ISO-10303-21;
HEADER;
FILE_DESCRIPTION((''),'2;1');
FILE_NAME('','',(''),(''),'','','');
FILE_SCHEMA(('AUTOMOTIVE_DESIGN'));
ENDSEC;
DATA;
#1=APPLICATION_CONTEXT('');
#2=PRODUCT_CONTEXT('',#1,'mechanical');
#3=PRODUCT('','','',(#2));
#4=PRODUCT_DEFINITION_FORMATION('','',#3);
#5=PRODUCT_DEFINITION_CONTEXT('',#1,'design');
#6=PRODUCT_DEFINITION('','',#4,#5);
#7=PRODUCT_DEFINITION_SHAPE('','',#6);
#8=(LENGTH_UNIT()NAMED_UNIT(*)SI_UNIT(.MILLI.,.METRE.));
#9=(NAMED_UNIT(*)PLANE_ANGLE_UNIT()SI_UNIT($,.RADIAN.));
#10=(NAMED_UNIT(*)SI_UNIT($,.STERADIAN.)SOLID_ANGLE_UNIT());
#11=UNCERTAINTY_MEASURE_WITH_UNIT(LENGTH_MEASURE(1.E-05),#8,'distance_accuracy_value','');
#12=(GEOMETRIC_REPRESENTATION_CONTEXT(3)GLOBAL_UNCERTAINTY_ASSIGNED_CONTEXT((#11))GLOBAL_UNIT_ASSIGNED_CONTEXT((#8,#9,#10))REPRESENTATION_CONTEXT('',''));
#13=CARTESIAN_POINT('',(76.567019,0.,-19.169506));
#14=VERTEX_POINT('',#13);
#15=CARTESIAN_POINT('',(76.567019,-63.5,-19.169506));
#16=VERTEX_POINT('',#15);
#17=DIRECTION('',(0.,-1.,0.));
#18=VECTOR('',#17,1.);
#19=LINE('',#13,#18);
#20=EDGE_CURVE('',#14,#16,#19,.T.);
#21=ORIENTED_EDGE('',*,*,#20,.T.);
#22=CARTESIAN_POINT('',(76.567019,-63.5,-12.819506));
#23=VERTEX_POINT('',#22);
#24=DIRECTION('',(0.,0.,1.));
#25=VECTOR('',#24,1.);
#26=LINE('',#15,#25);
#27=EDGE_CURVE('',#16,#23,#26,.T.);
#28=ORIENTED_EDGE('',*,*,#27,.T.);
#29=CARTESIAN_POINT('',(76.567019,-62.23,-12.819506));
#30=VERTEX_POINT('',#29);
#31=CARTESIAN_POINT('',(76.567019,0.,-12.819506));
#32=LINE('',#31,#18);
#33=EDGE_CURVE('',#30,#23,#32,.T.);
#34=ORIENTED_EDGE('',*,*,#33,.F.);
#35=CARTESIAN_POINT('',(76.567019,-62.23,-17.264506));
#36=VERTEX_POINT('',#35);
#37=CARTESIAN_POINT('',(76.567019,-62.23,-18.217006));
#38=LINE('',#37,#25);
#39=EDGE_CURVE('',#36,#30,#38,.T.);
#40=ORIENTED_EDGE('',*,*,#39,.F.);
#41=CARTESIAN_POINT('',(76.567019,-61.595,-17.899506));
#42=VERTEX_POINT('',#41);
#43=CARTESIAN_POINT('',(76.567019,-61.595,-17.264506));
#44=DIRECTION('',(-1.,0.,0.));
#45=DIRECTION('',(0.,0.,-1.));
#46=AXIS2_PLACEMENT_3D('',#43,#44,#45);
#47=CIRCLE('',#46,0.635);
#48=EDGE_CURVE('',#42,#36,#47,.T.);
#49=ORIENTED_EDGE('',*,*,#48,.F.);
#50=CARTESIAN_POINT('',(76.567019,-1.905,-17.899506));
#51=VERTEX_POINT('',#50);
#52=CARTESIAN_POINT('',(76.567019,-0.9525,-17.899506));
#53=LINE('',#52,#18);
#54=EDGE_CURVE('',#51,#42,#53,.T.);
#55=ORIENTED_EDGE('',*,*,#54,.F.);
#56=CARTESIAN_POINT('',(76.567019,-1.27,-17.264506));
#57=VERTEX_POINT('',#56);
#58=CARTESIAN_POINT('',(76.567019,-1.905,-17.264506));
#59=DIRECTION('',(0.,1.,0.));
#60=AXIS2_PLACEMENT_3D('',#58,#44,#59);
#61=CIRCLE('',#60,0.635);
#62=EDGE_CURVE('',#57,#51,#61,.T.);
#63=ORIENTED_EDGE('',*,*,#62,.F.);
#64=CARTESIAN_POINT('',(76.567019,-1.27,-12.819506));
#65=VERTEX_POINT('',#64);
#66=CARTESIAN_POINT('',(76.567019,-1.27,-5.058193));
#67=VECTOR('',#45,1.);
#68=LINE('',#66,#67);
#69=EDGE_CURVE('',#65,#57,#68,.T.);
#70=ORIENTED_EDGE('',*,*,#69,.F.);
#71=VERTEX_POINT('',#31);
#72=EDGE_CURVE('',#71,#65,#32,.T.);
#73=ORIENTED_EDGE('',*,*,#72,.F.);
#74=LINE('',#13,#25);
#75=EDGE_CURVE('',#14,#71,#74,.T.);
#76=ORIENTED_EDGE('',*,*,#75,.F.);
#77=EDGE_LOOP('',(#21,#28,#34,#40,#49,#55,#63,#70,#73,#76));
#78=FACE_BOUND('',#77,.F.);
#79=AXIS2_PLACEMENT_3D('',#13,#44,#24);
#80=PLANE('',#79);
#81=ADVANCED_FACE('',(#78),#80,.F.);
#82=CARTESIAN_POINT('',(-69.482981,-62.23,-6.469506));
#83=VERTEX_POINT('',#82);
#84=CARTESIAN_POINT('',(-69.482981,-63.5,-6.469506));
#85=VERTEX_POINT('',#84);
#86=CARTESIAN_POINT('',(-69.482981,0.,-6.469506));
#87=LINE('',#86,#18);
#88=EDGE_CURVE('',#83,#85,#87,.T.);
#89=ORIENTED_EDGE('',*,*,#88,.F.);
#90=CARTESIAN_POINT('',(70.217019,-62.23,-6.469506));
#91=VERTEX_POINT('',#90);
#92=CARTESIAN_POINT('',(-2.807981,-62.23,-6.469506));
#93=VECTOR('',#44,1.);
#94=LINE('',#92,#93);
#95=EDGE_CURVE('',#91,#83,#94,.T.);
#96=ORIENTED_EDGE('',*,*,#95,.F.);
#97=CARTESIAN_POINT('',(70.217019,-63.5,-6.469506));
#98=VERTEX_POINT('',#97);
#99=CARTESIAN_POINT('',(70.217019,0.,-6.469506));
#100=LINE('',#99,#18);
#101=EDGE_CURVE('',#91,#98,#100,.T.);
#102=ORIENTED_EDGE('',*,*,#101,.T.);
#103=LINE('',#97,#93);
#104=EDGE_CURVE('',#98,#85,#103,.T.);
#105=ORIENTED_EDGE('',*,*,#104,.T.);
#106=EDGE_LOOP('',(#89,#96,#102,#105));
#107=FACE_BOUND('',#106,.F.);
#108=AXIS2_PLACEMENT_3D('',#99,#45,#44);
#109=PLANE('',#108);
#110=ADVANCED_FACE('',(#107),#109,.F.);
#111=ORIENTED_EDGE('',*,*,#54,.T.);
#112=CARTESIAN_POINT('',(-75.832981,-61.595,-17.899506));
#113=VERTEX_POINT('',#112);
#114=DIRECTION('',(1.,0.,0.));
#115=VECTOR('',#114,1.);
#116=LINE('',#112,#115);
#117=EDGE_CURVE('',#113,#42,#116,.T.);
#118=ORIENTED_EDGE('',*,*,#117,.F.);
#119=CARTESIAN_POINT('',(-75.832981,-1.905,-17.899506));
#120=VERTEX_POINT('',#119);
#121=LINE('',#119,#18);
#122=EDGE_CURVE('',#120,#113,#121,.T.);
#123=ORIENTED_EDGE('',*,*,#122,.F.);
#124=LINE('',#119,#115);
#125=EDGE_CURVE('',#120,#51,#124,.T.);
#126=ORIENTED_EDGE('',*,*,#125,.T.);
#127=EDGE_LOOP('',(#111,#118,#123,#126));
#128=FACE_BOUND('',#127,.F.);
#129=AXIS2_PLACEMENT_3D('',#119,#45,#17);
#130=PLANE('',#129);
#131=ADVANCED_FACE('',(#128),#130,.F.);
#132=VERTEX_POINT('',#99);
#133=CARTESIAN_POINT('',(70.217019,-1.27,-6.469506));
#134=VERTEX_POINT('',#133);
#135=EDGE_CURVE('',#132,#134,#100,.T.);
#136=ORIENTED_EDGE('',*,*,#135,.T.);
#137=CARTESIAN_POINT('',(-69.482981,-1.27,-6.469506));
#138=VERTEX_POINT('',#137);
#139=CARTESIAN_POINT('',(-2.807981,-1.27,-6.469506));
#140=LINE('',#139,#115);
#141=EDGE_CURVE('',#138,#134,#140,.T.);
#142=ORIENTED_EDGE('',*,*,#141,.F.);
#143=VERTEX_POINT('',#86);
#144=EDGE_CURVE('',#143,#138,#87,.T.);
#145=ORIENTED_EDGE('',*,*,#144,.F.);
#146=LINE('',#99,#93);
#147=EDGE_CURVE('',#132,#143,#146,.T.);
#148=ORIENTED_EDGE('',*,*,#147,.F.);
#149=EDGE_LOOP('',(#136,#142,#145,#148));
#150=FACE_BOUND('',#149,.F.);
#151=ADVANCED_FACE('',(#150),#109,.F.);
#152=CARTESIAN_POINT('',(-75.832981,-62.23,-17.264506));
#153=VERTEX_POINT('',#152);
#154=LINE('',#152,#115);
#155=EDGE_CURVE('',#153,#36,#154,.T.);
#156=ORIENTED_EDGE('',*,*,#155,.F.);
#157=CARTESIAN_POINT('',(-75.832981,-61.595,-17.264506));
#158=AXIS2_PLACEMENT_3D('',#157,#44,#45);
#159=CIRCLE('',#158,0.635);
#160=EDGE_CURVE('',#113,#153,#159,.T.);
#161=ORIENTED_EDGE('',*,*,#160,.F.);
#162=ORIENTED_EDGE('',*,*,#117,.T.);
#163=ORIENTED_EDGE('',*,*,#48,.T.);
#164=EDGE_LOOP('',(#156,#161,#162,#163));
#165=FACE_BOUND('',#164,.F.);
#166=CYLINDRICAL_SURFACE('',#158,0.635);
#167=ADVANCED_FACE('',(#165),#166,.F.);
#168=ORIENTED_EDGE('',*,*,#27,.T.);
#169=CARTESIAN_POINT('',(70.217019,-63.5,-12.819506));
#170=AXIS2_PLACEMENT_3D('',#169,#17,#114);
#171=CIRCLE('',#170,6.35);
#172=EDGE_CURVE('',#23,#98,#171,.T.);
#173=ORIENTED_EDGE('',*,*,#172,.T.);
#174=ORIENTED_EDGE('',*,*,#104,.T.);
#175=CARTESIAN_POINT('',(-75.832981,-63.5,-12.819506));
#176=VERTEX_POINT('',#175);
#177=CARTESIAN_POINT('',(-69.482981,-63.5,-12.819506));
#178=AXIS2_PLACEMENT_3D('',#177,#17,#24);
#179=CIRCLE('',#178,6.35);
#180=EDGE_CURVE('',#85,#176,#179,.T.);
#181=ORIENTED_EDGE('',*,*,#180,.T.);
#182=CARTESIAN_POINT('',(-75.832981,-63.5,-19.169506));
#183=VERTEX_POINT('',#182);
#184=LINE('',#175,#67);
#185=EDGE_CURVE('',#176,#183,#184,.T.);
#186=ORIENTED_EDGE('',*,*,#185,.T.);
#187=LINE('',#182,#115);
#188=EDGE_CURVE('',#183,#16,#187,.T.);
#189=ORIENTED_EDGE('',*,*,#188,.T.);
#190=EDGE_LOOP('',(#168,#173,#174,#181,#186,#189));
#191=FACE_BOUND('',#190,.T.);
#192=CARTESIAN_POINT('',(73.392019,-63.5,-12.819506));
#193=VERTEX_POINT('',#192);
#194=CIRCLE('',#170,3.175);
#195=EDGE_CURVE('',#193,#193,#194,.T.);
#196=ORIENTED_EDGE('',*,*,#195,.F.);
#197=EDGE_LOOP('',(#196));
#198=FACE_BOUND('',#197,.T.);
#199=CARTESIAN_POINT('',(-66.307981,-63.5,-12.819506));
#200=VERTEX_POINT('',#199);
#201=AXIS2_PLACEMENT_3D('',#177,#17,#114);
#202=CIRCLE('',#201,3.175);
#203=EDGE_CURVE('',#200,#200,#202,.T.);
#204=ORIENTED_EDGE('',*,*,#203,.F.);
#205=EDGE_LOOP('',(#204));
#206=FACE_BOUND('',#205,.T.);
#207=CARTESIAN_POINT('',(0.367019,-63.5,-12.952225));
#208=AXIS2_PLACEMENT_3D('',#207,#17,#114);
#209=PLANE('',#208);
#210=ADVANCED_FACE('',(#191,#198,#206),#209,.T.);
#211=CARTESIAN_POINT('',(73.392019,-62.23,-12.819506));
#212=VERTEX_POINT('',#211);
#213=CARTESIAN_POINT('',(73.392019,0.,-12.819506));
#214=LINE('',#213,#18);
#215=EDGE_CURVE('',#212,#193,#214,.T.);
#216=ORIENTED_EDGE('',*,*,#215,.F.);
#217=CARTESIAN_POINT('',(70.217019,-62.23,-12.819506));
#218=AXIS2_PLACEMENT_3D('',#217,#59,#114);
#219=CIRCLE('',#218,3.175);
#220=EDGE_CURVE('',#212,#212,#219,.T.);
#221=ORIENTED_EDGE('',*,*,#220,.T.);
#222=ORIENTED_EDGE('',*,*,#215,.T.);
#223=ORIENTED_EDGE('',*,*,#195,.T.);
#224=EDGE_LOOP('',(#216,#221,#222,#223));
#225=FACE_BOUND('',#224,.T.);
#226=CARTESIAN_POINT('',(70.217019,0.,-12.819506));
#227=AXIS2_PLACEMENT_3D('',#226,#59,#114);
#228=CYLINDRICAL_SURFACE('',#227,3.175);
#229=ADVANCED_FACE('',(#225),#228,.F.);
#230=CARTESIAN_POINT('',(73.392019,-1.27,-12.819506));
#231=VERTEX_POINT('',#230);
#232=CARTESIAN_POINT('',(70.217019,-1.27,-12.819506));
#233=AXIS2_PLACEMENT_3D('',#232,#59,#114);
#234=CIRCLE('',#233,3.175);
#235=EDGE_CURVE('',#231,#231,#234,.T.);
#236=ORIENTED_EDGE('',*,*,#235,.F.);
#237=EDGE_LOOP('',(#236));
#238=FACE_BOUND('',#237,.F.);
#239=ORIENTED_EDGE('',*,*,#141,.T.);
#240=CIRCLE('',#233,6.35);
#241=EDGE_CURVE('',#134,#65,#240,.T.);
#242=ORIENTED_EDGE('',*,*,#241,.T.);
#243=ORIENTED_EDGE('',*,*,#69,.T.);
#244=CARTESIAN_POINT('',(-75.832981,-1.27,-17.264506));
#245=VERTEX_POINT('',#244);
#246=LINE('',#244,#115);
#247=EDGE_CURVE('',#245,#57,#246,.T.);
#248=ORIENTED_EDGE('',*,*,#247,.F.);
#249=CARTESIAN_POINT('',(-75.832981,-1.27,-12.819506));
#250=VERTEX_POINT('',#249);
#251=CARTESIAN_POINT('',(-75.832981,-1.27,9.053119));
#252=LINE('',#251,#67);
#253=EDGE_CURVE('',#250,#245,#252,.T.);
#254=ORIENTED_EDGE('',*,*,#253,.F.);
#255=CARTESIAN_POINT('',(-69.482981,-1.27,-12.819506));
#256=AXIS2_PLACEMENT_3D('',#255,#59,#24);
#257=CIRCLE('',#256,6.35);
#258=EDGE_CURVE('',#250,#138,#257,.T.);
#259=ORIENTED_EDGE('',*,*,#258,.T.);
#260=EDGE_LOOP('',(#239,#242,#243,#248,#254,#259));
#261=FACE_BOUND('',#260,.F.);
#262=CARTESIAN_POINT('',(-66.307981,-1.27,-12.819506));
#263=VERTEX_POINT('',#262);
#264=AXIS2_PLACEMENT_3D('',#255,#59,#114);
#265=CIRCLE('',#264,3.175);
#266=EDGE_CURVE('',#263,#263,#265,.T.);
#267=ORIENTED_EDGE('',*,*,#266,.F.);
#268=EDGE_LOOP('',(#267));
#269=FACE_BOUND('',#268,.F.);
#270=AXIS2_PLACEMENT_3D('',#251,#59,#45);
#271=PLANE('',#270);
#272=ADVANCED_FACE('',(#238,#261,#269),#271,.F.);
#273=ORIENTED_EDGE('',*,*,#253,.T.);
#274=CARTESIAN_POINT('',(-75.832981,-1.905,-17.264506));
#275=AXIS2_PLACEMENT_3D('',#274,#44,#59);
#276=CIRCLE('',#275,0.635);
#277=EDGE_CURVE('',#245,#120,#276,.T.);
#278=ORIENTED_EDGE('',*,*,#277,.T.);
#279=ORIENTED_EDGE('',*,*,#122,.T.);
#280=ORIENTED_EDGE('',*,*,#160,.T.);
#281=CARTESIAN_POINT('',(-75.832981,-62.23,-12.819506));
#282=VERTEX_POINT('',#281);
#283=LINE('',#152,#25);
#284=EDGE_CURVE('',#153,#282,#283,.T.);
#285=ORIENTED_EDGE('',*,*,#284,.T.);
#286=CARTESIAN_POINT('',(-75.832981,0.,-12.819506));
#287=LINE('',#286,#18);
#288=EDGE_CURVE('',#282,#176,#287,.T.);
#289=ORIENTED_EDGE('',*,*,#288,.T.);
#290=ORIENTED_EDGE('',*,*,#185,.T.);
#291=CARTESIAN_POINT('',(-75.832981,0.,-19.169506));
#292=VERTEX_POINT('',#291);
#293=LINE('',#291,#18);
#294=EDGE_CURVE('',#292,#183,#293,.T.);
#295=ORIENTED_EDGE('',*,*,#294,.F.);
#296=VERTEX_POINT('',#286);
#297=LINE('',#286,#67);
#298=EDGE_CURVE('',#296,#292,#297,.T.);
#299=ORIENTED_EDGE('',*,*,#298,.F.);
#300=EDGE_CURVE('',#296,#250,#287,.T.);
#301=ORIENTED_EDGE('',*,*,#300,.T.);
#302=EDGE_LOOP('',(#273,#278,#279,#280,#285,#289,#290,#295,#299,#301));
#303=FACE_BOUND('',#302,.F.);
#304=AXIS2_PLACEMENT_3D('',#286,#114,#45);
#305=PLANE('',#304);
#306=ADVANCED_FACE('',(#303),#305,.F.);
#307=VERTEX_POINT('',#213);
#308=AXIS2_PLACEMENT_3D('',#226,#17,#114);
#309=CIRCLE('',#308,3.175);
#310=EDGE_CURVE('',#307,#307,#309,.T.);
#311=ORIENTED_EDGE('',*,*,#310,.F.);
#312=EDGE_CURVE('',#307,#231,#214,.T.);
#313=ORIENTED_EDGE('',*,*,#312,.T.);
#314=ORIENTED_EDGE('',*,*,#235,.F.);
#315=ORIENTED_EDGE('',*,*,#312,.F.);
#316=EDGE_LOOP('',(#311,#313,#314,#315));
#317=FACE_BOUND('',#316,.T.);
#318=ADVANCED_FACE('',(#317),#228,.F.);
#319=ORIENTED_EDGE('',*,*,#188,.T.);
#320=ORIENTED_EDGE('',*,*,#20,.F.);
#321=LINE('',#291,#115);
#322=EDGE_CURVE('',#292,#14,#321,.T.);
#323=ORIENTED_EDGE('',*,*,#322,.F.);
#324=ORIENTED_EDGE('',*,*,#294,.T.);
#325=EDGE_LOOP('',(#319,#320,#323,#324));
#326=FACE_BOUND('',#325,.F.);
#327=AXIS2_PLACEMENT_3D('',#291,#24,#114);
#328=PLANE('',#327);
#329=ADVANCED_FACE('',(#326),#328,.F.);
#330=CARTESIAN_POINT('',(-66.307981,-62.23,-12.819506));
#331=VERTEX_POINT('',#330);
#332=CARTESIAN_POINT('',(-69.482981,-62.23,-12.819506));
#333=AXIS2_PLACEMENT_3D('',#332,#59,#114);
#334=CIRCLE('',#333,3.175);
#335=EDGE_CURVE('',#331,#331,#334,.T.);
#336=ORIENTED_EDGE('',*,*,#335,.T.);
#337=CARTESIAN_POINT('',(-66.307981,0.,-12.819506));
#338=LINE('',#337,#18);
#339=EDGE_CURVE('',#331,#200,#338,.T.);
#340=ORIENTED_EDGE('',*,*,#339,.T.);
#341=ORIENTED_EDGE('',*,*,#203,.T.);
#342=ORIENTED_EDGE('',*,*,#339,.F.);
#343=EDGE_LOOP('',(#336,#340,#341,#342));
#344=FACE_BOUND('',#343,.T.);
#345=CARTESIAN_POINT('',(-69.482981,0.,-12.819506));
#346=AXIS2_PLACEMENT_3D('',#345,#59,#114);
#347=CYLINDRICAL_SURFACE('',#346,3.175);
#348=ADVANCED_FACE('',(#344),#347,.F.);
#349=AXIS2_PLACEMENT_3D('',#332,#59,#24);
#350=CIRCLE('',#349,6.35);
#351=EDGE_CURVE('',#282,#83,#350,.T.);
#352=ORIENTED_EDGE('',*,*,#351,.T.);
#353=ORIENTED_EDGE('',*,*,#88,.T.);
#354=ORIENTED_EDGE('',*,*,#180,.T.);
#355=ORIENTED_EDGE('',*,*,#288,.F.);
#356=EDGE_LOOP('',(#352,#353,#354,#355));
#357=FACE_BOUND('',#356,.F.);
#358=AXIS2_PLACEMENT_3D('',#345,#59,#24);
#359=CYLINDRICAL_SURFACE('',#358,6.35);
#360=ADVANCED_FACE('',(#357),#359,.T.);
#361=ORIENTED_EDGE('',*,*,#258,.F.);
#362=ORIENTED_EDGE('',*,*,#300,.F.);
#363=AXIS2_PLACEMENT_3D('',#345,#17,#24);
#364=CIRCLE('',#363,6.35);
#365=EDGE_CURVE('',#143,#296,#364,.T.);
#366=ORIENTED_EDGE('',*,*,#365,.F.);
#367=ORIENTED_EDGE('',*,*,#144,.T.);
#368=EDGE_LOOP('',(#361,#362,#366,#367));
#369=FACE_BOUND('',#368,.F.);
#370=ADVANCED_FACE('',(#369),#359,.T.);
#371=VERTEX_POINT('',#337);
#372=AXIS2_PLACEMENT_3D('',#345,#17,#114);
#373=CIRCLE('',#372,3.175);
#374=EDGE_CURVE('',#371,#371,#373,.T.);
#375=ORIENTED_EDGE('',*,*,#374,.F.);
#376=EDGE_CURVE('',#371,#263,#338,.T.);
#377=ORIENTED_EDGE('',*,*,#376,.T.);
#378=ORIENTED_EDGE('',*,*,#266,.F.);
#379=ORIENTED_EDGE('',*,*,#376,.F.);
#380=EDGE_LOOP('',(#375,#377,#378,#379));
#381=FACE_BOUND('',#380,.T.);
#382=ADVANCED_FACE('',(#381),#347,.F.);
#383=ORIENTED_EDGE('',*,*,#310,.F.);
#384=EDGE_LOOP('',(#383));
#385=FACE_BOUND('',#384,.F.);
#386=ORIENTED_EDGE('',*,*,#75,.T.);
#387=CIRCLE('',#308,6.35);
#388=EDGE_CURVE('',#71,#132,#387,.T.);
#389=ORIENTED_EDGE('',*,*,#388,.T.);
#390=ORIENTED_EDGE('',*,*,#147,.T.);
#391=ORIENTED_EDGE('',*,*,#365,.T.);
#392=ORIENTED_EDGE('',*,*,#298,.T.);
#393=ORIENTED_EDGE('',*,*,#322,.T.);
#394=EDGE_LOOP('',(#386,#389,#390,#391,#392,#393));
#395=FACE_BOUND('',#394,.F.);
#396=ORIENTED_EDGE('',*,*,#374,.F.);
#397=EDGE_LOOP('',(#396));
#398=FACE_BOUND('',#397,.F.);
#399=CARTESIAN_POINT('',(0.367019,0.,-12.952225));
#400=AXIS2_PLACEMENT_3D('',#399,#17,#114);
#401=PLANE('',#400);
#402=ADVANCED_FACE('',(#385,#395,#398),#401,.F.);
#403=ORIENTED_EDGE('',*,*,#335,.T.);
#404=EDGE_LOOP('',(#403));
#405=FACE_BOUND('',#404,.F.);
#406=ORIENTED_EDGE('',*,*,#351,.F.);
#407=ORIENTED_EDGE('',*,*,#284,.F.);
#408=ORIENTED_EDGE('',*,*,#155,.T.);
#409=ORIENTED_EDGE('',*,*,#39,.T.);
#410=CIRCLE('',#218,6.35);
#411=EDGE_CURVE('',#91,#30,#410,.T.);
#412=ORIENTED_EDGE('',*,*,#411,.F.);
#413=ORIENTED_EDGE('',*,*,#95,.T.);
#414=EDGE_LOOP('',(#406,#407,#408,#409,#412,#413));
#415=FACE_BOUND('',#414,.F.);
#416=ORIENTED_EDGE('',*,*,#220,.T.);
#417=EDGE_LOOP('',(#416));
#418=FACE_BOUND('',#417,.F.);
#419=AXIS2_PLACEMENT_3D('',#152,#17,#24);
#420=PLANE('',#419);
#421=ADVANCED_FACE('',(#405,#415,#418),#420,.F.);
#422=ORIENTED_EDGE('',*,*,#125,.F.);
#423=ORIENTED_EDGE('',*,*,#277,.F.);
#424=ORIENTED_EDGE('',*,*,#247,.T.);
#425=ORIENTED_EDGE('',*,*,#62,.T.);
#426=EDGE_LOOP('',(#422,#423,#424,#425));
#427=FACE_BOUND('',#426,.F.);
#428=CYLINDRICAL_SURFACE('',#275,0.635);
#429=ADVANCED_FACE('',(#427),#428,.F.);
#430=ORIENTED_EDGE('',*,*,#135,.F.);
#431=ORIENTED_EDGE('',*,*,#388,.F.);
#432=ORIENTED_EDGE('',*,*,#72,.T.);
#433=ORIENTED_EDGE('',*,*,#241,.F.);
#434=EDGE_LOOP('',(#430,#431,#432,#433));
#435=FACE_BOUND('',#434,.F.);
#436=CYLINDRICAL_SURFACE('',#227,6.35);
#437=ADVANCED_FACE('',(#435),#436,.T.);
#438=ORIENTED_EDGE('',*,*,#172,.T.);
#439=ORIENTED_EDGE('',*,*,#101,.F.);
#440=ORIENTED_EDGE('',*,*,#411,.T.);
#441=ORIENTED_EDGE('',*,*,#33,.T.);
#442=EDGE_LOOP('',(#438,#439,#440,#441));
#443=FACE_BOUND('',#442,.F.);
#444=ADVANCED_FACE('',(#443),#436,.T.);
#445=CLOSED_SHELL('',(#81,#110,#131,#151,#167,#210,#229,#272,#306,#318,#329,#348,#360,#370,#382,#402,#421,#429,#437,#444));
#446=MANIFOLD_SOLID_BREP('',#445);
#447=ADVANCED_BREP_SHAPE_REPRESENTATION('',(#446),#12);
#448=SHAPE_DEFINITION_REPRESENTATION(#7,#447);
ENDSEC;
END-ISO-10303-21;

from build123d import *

# Parameters (mm, degrees)
F0_R     = 3.175
F1_DEPTH = 63.5
F2_W     = 60.96
F2_H     = 21.8726252659
F3_DEPTH = 152.401


with BuildPart() as f1:
    # F0 (on Front) → F1 (new body)
    with BuildSketch(Plane.XZ):
        with BuildLine():
            Line((70.2170193255, -6.4695058077), (-69.4829806745, -6.4695058077))
            ThreePointArc((-69.4829806745, -6.4695058077), (-73.973108735, -8.3293777471), (-75.8329806745, -12.8195058077))
            Line((-75.8329806745, -12.8195058077), (-75.8329806745, -19.1695058077))
            Line((-75.8329806745, -19.1695058077), (76.5670193255, -19.1695058077))
            Line((76.5670193255, -19.1695058077), (76.5670193255, -12.8195058077))
            ThreePointArc((76.5670193255, -12.8195058077), (74.707147386, -8.3293777471), (70.2170193255, -6.4695058077))
        make_face()
        with Locations((-69.4829806745, -12.8195058077)):
            Circle(F0_R, mode=Mode.SUBTRACT)
        with Locations((70.2170193255, -12.8195058077)):
            Circle(F0_R, mode=Mode.SUBTRACT)
    extrude(amount=F1_DEPTH)

    # F2 (on face) → F3 (cut, through all)
    with BuildSketch(Plane(origin=(-75.8329806745, 0, 0), x_dir=(0, -1, 0), z_dir=(-1, 0, 0))):
        with Locations((31.75, -1.8831931747)):
            Rectangle(F2_W, F2_H)
        with BuildLine():
            Line((62.23, -12.8195058077), (1.27, -12.8195058077))
            Line((1.27, -12.8195058077), (1.27, -17.2645058077))
            ThreePointArc((1.27, -17.2645058077), (1.4559871939, -17.7135186137), (1.905, -17.8995058077))
            Line((1.905, -17.8995058077), (61.595, -17.8995058077))
            ThreePointArc((61.595, -17.8995058077), (62.0440128061, -17.7135186137), (62.23, -17.2645058077))
            Line((62.23, -17.2645058077), (62.23, -12.8195058077))
        make_face()
    extrude(amount=-F3_DEPTH, mode=Mode.SUBTRACT)


solid = f1.part
